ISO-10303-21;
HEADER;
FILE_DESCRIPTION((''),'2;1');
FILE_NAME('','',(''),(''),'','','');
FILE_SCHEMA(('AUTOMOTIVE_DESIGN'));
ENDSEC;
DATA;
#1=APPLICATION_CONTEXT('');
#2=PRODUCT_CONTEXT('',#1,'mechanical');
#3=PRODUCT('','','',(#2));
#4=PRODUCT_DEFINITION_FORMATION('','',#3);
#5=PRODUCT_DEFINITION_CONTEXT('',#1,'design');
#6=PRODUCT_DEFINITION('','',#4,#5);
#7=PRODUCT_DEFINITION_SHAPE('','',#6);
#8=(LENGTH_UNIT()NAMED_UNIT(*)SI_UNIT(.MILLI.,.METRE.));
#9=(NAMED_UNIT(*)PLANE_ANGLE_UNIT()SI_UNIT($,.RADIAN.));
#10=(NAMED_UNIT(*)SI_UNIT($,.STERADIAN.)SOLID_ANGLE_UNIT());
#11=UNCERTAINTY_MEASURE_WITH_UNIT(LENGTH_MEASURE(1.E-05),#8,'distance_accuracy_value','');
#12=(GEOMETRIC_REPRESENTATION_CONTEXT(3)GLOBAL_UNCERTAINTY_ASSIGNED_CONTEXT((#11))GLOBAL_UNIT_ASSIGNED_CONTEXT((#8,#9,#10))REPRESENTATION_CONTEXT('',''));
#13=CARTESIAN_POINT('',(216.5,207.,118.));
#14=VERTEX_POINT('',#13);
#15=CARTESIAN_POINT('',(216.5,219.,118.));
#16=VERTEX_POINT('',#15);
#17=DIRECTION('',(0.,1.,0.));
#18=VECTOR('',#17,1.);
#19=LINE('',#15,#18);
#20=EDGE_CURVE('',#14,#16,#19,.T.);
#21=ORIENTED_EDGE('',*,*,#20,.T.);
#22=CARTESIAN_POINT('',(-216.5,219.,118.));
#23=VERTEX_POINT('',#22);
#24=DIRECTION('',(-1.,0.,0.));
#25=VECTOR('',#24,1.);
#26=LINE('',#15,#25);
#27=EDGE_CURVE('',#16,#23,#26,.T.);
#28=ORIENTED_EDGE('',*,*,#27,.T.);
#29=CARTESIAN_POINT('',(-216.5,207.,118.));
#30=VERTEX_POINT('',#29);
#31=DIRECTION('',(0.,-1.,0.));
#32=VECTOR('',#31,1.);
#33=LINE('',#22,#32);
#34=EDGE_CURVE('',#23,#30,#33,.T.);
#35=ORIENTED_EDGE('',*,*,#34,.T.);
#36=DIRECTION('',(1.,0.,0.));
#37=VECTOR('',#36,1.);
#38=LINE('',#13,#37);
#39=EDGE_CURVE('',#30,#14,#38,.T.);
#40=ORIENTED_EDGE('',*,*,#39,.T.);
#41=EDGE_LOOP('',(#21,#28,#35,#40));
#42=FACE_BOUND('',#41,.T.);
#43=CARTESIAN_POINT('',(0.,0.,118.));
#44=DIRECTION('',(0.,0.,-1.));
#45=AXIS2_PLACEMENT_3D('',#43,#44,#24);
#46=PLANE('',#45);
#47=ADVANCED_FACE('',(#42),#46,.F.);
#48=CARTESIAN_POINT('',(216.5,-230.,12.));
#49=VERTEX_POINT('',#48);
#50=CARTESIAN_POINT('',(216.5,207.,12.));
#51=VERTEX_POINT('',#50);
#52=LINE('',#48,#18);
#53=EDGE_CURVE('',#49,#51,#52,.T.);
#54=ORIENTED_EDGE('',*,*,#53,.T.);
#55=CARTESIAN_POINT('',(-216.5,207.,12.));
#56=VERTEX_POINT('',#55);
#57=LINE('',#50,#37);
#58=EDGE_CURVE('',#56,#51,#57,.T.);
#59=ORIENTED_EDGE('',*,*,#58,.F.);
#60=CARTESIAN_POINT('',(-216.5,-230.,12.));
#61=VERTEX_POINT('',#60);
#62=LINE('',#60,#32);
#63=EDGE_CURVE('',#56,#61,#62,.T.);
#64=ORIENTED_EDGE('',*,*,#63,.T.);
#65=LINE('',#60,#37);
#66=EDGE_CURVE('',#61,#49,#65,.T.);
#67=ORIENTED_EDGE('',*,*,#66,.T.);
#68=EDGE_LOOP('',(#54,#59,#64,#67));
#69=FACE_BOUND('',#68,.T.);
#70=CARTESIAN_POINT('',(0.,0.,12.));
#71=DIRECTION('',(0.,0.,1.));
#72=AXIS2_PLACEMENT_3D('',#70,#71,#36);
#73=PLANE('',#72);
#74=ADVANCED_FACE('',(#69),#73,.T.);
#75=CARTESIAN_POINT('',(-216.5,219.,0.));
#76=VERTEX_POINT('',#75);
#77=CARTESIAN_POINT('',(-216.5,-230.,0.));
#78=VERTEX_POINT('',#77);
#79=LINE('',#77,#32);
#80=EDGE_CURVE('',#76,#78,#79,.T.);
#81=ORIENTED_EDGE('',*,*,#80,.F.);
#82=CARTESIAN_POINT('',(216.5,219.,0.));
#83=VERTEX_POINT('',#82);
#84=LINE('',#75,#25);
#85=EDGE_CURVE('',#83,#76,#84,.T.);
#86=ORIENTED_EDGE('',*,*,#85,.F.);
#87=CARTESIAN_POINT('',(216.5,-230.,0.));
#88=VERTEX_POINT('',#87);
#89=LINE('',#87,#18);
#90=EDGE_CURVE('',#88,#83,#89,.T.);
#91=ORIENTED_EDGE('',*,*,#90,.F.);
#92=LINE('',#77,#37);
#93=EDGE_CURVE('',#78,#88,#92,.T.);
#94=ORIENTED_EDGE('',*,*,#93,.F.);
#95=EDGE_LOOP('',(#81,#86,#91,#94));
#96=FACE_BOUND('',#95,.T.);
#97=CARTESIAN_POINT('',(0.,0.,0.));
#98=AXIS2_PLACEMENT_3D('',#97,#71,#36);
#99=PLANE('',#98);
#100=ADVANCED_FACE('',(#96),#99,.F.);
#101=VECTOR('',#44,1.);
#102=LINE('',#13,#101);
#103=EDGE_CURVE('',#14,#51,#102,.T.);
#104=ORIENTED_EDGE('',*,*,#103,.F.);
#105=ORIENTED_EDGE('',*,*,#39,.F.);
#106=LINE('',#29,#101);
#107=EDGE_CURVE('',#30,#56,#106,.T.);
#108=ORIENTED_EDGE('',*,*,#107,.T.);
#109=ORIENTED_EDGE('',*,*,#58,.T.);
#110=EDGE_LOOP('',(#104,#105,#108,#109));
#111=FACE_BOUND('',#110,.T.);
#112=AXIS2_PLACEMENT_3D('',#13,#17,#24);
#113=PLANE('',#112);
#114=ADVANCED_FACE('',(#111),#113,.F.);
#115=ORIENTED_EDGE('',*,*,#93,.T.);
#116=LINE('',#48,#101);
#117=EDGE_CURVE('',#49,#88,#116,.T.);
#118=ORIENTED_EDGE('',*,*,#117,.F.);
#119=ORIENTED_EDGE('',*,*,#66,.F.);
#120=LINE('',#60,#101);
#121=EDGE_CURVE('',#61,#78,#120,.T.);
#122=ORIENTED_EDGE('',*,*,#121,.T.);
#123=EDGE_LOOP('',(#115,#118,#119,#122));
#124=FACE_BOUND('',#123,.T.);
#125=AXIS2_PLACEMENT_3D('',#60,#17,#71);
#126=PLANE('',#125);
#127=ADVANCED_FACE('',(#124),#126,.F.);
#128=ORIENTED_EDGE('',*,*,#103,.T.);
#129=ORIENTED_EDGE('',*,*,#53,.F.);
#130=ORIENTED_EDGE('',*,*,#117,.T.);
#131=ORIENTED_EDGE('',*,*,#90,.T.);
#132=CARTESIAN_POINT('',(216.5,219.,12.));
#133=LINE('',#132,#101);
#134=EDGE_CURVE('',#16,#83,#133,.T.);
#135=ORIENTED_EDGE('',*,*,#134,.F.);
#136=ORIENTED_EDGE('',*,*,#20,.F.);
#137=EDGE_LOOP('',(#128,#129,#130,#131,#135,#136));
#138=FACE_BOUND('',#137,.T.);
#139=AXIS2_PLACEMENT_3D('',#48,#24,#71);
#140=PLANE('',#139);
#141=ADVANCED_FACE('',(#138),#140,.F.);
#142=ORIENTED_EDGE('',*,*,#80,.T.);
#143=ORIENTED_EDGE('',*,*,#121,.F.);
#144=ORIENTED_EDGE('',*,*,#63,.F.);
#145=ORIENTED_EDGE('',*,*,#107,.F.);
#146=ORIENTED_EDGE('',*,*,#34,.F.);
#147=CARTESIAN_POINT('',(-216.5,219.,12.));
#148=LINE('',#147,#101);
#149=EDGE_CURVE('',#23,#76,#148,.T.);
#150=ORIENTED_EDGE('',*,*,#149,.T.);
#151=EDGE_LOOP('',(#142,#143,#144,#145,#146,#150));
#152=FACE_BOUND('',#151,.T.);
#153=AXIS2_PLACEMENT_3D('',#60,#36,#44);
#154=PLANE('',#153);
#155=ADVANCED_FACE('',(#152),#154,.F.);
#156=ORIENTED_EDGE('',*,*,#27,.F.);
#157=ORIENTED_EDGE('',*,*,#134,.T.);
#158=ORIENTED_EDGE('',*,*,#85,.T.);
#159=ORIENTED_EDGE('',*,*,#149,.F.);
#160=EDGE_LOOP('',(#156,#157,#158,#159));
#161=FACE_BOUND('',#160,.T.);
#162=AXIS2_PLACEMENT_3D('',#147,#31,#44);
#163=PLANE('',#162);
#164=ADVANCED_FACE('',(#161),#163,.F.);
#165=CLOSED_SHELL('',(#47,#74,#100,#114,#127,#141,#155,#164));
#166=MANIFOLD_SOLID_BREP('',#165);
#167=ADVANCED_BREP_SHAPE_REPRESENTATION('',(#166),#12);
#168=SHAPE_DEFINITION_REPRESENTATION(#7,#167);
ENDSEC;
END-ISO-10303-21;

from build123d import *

# Parameters (mm, degrees)
SKETCH1_W           = 433
SKETCH1_H           = 449
BOSS_EXTRUDE1_DEPTH = 12
SKETCH2_W           = 433
SKETCH2_H           = 12
BOSS_EXTRUDE2_DEPTH = 106


with BuildPart() as part:
    # Sketch1 → Boss-Extrude1 (new body)
    with BuildSketch(Plane.XY):
        with Locations((0, -5.5)):
            Rectangle(SKETCH1_W, SKETCH1_H)
    extrude(amount=BOSS_EXTRUDE1_DEPTH)

    # Sketch2 → Boss-Extrude2 (add)
    with BuildSketch(Plane.XY.offset(12)):
        with Locations((0, 213)):
            Rectangle(SKETCH2_W, SKETCH2_H)
    extrude(amount=BOSS_EXTRUDE2_DEPTH)


solid = part.part
